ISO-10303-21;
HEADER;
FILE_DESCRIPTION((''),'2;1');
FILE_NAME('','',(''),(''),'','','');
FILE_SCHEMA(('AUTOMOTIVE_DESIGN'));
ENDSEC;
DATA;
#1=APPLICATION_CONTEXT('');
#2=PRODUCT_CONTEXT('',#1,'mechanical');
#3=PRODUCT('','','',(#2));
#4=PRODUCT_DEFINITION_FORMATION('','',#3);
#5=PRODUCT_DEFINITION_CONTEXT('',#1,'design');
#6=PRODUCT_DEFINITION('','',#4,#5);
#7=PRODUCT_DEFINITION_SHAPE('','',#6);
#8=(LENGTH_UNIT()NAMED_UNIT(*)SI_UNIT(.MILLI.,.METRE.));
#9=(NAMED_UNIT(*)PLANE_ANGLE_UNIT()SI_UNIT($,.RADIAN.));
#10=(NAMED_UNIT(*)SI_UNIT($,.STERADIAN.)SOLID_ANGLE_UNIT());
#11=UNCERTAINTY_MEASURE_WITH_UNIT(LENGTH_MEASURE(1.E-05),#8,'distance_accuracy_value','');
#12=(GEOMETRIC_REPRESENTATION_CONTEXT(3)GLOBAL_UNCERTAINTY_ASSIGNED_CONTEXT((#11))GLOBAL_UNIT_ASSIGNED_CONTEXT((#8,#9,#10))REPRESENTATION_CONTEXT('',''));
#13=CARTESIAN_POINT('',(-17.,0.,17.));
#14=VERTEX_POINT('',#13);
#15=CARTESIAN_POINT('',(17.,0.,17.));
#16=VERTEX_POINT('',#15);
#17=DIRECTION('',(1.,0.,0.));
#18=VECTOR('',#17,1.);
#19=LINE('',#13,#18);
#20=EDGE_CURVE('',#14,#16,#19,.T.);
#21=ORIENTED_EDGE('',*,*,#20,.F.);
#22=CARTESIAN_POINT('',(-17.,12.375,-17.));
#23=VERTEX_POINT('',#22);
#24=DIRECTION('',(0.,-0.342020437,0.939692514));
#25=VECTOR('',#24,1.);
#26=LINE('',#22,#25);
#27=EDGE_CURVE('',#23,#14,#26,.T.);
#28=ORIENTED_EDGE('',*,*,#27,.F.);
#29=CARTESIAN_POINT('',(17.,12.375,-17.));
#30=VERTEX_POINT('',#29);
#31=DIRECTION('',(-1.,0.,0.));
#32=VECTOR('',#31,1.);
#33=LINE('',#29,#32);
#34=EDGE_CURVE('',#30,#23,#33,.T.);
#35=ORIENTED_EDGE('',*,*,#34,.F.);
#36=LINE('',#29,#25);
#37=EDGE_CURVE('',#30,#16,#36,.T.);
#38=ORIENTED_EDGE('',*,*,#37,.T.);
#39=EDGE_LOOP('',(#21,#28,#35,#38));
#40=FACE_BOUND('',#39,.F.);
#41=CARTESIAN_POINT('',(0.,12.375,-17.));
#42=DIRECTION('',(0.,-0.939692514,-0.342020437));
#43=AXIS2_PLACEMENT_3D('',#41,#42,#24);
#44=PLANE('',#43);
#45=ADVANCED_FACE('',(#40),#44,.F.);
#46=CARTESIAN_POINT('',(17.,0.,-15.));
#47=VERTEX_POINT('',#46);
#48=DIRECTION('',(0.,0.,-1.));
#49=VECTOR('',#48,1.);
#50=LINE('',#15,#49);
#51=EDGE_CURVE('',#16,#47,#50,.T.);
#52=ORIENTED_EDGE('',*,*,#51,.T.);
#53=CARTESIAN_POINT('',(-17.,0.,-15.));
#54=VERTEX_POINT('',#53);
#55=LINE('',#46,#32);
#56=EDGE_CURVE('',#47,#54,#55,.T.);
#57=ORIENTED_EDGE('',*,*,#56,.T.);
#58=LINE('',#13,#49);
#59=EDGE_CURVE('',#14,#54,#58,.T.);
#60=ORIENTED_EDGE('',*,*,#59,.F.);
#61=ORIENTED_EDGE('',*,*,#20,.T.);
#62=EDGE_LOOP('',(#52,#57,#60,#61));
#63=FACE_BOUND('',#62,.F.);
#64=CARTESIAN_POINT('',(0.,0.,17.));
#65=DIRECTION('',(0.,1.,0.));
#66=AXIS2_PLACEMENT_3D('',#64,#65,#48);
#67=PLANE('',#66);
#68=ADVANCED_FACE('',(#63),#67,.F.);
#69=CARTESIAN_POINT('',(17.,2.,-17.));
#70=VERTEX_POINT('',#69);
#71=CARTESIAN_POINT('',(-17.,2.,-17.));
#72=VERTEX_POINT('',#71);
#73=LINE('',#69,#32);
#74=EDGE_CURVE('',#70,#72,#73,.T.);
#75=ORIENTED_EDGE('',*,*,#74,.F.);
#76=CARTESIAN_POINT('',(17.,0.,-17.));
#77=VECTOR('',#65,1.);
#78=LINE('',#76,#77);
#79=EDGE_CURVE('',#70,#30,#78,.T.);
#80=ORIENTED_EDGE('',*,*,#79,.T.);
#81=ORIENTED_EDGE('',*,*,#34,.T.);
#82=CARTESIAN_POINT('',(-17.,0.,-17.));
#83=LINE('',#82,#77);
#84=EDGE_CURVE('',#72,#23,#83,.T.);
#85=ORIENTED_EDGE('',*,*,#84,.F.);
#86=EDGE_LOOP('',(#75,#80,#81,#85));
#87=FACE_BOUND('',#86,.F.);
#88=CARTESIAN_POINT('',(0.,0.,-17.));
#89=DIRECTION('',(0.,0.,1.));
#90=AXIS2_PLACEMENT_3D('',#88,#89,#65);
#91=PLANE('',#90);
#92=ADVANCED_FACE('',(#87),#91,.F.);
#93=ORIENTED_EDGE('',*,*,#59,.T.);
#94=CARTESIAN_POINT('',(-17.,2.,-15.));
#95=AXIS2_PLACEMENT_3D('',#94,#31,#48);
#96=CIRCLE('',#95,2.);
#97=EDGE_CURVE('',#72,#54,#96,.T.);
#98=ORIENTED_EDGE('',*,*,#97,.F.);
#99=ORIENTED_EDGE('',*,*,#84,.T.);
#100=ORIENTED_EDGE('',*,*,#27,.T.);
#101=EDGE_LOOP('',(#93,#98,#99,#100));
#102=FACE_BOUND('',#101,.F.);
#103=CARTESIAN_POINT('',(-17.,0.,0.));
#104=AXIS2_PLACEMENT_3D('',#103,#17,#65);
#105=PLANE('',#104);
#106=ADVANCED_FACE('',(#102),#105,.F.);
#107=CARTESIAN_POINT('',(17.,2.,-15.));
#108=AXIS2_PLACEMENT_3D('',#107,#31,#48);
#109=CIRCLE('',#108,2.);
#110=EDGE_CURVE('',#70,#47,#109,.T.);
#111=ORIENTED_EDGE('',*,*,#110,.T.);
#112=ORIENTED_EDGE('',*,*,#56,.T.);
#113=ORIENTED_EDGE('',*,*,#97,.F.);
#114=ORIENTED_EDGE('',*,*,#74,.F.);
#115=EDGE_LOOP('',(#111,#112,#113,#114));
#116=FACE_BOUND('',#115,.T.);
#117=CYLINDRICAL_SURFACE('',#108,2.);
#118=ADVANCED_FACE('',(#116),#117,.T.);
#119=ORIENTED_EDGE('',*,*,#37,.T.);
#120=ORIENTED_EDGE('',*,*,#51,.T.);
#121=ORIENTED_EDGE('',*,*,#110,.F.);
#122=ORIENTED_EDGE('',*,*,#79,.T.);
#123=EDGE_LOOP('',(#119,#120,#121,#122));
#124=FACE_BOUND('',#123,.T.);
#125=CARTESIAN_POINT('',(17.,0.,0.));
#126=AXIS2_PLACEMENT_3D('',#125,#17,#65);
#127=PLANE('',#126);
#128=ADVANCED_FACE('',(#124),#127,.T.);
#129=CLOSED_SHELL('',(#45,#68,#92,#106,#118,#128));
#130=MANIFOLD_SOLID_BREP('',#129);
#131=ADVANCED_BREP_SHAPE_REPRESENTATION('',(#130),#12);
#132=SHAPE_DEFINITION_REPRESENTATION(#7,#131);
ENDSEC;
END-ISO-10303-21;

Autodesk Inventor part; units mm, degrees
ref_plane "YZ Plane" through (0, 0, 0) normal (1, 0, 0) x (0, 1, 0)
ref_plane "XZ Plane" through (0, 0, 0) normal (0, 1, 0) x (-1, 0, 0)
ref_plane "XY Plane" through (0, 0, 0) normal (0, 0, 1) x (1, 0, 0)
sketch "Skizze1" plane through (0, 0, 0) normal (1, 0, 0) x (0, 1, 0)
  line L0 (0, 17) -> (0, -17)
  line L1 (0, -17) -> (12.375, -17)
  line L2 (12.375, -17) -> (0, 17)
  point P0 (0, 0)
  point P1 (0, 0)
  dimension "d0" = 34
  dimension "d1" = 20
extrude "Extrusion1" add sketch "Skizze1" along normal mid plane 34
fillet "Rundung1" radius 2 1 edges at (0, 0, -17)
properties part number "20Grad_Winkelreduktion"
